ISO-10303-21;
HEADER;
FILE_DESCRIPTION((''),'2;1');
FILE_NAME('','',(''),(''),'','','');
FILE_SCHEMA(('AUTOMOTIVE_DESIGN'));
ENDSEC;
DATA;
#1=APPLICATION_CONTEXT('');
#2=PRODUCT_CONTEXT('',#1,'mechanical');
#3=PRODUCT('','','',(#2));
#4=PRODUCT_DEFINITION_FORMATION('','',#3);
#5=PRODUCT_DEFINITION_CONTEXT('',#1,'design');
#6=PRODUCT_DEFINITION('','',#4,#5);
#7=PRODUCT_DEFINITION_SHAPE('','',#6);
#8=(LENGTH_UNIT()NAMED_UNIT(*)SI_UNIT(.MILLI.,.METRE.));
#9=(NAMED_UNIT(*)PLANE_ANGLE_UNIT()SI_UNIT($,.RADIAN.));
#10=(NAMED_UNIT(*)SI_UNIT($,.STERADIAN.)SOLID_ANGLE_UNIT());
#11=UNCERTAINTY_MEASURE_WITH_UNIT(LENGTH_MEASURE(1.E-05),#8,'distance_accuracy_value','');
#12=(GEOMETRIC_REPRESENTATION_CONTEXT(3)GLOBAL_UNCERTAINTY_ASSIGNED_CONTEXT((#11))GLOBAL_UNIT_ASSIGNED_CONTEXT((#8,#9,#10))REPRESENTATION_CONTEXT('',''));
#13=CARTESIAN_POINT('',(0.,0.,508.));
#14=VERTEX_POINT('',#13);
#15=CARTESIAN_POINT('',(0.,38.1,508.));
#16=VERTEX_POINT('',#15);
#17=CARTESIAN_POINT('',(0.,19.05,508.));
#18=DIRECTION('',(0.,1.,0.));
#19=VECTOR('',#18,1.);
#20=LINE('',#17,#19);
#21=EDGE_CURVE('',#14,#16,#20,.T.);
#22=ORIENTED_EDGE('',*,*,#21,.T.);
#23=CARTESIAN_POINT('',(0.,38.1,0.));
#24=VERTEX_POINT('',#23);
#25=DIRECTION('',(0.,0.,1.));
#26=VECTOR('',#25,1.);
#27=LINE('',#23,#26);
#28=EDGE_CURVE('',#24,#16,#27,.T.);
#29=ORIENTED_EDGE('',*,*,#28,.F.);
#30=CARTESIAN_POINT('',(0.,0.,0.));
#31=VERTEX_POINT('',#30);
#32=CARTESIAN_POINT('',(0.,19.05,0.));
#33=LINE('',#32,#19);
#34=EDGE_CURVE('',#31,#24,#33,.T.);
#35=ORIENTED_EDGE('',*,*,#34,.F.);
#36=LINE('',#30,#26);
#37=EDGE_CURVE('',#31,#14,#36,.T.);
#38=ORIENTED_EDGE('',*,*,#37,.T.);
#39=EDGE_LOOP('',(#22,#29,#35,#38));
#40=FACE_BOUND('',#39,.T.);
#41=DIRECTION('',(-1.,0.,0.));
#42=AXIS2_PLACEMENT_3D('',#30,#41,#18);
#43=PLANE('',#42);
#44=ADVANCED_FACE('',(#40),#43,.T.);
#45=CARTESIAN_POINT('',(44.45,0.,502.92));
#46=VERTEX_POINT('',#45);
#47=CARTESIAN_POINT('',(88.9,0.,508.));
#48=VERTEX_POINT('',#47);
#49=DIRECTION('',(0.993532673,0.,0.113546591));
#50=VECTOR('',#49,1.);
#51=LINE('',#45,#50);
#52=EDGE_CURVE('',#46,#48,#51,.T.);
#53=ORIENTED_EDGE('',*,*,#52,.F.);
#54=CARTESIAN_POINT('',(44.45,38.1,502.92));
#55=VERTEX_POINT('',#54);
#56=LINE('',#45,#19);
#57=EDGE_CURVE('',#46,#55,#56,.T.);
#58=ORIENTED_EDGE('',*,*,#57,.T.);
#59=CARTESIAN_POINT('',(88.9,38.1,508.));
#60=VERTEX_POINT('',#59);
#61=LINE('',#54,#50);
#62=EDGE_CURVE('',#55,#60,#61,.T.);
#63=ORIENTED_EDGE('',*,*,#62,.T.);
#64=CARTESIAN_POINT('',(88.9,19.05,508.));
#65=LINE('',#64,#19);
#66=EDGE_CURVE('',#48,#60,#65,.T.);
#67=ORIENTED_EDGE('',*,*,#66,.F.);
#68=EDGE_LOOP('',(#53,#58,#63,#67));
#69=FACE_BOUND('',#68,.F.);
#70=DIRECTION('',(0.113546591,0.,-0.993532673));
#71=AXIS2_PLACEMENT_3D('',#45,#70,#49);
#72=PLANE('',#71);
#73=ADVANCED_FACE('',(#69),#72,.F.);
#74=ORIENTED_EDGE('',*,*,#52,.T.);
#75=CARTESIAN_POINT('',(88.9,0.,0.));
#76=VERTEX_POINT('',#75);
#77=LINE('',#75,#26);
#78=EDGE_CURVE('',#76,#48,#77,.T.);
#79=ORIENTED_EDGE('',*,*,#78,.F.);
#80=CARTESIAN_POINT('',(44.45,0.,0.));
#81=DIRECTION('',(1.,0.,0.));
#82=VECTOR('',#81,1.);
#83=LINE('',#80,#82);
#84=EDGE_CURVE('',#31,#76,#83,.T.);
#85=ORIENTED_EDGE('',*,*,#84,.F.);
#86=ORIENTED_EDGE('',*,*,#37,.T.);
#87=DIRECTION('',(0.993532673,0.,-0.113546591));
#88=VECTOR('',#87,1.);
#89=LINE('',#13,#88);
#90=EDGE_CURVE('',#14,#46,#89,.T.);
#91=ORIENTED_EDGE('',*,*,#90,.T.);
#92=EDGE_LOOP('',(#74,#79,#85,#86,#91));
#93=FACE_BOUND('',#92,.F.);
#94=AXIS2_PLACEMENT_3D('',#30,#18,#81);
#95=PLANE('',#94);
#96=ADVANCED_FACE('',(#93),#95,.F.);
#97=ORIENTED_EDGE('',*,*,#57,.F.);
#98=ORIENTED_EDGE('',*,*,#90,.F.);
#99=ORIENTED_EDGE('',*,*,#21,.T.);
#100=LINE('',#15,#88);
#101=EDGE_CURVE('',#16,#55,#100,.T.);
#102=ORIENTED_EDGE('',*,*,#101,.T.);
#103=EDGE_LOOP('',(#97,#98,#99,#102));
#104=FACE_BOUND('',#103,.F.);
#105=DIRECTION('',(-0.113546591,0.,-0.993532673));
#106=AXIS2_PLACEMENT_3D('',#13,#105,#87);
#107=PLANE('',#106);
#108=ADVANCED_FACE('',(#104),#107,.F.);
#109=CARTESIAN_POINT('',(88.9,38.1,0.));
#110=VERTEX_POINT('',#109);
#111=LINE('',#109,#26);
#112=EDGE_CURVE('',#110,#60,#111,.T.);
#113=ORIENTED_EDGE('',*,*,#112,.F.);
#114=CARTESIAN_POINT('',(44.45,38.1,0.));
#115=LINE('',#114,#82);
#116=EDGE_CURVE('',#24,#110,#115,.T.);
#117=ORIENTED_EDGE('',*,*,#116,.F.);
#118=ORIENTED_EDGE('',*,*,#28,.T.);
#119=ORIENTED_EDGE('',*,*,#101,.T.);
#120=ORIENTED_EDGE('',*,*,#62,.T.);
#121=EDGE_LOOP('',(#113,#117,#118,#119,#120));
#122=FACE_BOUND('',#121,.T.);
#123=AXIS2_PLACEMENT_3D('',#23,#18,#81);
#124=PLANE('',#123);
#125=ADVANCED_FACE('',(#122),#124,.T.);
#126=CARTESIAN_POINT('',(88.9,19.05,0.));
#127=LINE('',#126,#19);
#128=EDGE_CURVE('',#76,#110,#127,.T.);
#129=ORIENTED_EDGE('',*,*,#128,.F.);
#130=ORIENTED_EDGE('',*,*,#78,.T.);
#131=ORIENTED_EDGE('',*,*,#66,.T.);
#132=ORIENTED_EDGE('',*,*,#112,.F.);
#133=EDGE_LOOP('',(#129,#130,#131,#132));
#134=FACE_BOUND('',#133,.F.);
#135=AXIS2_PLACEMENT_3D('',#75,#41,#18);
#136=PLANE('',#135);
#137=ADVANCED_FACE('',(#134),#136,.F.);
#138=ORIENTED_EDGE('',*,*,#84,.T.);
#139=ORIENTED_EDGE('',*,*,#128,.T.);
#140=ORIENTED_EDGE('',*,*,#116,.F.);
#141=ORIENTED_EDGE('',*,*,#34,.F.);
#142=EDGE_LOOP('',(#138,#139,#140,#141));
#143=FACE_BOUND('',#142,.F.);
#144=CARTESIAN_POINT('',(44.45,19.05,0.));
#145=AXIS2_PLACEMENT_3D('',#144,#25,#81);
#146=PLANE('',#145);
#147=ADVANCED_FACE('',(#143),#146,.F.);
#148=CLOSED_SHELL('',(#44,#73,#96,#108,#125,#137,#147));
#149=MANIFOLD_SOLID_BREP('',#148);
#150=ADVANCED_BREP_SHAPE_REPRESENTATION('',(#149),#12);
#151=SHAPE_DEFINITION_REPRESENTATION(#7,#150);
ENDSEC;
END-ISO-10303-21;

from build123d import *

# Parameters (mm, degrees)
F0_W     = 88.9
F0_H     = 38.1
F1_DEPTH = 508
F3_DEPTH = 38.1


with BuildPart() as f1:
    # F0 (on Top) → F1 (new body)
    with BuildSketch(Plane.XY):
        with Locations((44.45, 19.05)):
            Rectangle(F0_W, F0_H)
    extrude(amount=F1_DEPTH)

    # F2 (on face) → F3 (cut, through all)
    with BuildSketch(Plane.XZ):
        Polygon((88.9, 508), (0, 508), (44.45, 502.92), align=None)
    extrude(amount=-F3_DEPTH, mode=Mode.SUBTRACT)


solid = f1.part
